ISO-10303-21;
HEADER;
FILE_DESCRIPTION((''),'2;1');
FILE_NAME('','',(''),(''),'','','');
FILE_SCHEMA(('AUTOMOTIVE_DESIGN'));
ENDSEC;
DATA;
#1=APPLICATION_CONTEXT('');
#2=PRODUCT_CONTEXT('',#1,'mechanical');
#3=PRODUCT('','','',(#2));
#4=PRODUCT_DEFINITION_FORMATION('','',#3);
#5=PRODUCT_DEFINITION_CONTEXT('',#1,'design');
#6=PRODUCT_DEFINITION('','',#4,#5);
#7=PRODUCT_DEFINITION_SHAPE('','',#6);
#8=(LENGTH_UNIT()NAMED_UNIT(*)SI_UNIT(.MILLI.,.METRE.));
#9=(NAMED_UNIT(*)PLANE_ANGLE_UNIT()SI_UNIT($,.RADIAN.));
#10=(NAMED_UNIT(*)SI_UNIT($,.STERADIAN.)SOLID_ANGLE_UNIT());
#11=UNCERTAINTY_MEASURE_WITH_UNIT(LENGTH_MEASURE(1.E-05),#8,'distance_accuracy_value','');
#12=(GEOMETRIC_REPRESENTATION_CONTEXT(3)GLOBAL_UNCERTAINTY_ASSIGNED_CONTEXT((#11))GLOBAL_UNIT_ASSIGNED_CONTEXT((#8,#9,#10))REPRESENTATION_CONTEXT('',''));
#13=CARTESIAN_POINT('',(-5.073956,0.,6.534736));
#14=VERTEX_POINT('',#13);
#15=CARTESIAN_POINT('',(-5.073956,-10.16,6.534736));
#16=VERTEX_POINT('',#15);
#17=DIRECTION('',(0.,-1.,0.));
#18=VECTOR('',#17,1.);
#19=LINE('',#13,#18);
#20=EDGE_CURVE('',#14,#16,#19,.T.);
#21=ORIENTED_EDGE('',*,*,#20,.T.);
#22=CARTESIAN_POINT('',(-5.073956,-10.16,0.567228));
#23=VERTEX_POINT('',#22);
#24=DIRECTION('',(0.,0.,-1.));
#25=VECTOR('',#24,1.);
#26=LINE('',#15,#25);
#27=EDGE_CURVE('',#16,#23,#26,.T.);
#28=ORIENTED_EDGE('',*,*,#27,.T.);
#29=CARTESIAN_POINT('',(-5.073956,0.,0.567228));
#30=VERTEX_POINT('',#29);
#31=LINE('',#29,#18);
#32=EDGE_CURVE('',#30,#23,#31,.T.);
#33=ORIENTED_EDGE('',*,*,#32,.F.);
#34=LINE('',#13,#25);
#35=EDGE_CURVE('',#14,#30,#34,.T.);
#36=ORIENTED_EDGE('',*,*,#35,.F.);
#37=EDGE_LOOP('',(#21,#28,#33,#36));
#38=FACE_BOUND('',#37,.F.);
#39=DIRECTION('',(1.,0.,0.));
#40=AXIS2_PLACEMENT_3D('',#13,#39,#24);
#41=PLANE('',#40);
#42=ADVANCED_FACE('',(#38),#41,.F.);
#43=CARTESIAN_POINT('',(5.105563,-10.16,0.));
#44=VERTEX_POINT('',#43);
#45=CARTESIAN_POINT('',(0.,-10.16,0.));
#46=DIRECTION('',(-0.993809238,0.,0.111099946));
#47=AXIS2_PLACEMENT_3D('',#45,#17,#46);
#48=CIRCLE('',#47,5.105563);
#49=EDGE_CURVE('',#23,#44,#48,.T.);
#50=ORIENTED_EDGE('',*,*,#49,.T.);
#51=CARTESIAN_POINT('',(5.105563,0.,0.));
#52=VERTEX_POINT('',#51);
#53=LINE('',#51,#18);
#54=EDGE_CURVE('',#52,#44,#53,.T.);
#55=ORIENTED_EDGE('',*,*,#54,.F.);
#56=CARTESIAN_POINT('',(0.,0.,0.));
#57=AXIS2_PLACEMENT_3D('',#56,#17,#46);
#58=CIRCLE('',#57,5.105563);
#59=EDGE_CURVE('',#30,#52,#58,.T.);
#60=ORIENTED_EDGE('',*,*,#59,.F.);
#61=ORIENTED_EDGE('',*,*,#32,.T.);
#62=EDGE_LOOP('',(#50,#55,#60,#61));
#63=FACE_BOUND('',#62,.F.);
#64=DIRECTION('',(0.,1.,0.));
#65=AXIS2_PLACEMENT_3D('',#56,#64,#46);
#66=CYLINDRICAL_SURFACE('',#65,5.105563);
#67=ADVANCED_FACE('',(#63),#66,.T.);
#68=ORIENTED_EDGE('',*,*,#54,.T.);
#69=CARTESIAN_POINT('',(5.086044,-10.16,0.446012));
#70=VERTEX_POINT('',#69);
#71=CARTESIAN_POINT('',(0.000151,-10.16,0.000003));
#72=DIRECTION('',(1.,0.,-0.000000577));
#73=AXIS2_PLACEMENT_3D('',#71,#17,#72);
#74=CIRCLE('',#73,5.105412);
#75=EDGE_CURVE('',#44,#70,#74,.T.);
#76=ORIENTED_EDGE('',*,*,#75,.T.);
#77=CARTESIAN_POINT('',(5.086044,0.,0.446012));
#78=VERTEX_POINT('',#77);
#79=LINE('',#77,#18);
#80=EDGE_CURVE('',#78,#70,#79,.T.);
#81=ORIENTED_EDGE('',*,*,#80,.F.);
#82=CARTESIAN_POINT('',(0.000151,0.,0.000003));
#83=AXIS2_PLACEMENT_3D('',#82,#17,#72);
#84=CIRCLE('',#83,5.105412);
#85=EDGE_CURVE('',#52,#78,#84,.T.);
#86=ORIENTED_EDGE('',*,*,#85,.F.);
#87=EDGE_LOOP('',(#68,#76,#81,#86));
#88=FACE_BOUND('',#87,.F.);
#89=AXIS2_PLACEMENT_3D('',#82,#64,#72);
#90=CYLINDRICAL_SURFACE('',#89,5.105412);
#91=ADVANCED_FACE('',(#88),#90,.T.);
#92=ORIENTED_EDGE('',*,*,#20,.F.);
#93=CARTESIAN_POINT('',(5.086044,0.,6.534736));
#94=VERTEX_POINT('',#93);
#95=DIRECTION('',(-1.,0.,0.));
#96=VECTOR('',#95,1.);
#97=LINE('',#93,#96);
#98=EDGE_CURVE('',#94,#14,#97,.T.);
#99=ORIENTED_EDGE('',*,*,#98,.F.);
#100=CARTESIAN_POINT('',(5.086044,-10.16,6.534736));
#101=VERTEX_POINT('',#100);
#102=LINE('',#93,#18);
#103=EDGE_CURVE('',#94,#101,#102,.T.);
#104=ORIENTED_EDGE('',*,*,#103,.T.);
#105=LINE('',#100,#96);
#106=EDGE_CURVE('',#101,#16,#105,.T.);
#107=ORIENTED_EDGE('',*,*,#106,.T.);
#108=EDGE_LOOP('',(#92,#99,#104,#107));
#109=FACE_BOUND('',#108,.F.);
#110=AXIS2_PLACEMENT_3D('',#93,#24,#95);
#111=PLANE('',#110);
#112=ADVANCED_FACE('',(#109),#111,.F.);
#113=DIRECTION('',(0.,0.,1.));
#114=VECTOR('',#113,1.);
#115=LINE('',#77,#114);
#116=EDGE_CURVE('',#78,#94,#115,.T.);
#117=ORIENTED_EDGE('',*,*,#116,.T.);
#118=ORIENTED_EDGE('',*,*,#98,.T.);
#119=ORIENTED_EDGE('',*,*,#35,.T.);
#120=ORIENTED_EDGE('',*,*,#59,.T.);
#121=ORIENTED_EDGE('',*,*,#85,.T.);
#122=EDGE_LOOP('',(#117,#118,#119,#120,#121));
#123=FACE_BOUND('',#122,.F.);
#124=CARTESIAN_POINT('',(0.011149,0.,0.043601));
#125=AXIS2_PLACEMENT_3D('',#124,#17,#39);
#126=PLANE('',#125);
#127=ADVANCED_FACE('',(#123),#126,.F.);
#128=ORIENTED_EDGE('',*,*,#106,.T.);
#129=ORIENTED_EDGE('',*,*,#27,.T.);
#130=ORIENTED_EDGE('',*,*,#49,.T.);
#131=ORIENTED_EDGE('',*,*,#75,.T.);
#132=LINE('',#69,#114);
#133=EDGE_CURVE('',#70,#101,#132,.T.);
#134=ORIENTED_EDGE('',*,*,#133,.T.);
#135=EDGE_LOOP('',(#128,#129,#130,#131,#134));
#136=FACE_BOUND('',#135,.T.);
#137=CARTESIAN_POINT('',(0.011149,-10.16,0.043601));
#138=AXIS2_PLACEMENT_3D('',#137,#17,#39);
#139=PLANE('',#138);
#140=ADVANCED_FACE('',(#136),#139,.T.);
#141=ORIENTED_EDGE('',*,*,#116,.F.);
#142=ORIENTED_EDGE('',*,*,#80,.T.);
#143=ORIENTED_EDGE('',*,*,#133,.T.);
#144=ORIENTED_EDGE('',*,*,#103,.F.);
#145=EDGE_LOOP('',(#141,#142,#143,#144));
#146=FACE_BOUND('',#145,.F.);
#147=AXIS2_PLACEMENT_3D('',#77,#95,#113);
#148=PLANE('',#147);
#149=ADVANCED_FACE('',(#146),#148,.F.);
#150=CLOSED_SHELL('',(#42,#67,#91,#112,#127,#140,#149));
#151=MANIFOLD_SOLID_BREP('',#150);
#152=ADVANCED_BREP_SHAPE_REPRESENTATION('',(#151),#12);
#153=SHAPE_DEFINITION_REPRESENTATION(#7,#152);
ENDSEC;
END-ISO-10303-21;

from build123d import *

# Parameters (mm, degrees)
F1_DEPTH = 10.16
F2_DEPTH = 10.16


with BuildPart() as f1:
    # F0 (on Front) → F1 (new body)
    with BuildSketch(Plane.XZ):
        with BuildLine():
            Line((5.086044, 6.534736), (-5.073956, 6.534736))
            Line((-5.073956, 6.534736), (-5.073956, 0.567228))
            ThreePointArc((-5.073956, 0.567228), (0.060908, 5.1052), (5.086044, 0.446012))
            Line((5.086044, 0.446012), (5.086044, 6.534736))
        make_face()
    extrude(amount=F1_DEPTH)

    # F0 (on Front) → F2 (join)
    with BuildSketch(Plane.XZ):
        with BuildLine():
            ThreePointArc((5.086044, 0.446012), (0.060908, 5.1052), (-5.073956, 0.567228))
            ThreePointArc((-5.073956, 0.567228), (-0.284054, -5.097655), (5.105563, 0))
            ThreePointArc((5.105563, 0), (5.100681, 0.223219), (5.086044, 0.446012))
        make_face()
    extrude(amount=F2_DEPTH)


solid = f1.part
